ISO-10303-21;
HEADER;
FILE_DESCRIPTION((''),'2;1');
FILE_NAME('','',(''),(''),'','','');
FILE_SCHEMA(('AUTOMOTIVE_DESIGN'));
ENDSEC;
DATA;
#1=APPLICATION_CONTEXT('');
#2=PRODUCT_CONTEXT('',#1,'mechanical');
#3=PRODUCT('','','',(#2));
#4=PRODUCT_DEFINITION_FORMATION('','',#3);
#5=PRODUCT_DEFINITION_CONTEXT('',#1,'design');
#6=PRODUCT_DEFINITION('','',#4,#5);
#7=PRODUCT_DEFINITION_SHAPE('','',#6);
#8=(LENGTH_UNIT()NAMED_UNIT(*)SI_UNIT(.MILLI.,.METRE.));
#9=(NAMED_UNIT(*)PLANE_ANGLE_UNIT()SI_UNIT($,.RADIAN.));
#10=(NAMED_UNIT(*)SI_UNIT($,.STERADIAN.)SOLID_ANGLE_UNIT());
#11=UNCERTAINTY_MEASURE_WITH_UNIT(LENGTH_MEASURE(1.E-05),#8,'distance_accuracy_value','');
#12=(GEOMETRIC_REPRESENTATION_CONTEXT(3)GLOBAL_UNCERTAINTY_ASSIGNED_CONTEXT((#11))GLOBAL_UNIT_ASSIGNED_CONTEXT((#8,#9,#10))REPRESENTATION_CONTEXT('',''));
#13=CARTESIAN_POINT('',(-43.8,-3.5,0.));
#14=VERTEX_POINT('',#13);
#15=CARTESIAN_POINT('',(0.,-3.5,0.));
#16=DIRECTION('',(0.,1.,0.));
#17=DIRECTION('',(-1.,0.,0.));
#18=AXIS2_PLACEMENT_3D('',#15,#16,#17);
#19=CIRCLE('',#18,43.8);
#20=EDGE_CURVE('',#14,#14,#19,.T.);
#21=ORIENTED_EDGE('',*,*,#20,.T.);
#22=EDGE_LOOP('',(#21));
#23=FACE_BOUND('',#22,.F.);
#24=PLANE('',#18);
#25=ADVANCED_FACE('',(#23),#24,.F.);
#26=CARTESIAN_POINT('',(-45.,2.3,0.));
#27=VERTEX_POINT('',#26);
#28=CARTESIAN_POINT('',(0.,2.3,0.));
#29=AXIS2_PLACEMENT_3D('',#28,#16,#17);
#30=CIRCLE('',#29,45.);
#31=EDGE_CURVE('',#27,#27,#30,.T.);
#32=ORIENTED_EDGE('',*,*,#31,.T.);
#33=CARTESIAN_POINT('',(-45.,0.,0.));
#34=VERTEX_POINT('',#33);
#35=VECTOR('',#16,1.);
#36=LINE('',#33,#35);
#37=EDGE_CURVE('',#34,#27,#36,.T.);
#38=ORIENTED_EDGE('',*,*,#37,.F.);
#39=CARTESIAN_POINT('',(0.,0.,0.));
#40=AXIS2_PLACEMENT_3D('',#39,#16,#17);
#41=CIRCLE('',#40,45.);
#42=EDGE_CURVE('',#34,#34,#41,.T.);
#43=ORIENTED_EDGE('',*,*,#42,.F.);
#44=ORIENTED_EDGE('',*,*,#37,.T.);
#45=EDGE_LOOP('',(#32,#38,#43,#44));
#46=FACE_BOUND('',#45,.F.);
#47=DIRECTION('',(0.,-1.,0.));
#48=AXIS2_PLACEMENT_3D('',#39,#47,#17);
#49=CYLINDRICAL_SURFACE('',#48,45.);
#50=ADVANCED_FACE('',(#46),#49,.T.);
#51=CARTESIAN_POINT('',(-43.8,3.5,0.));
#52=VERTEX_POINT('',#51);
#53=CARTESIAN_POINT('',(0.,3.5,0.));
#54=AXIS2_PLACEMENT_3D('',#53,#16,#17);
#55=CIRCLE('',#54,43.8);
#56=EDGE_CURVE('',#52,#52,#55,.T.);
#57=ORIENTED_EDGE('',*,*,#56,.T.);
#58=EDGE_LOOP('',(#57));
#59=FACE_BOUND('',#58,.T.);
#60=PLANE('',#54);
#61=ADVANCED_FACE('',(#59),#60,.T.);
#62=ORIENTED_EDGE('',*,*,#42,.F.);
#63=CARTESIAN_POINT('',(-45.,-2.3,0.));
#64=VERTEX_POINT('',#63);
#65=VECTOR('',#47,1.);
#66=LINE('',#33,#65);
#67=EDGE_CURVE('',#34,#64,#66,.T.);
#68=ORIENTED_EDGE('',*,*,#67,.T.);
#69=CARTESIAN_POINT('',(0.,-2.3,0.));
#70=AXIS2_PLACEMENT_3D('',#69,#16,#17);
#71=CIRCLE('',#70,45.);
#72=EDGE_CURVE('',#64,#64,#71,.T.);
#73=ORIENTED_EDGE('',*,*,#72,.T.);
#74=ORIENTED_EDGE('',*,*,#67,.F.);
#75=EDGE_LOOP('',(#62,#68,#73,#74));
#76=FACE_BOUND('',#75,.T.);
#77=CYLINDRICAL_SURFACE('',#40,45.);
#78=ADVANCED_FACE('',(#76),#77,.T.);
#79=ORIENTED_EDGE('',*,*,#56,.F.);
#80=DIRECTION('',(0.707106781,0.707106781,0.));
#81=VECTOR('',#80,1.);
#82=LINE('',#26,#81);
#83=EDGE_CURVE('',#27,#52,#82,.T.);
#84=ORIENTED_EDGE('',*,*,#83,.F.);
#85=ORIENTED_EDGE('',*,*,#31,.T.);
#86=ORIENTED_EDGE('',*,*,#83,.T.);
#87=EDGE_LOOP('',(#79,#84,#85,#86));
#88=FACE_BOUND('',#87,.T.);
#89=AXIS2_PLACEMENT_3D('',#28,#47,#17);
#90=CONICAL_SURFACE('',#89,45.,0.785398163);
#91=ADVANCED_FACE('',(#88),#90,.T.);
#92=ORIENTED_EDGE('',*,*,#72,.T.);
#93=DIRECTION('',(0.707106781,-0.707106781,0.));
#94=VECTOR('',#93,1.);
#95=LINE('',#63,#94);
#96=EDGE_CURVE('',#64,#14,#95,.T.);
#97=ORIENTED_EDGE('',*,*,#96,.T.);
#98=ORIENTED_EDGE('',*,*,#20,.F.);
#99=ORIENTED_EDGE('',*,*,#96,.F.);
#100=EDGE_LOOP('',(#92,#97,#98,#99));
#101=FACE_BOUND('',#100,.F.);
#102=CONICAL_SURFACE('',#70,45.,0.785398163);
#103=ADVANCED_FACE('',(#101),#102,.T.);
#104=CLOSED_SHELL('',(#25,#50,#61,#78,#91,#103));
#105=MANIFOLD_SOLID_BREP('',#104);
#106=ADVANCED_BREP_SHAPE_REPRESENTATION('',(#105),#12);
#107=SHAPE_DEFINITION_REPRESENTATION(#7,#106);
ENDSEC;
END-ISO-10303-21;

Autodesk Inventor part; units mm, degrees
ref_plane "YZ Plane" through (0, 0, 0) normal (1, 0, 0) x (0, 1, 0)
ref_plane "XZ Plane" through (0, 0, 0) normal (0, 1, 0) x (-1, 0, 0)
ref_plane "XY Plane" through (0, 0, 0) normal (0, 0, 1) x (1, 0, 0)
sketch "スケッチ1" plane through (0, 0, 0) normal (0, 1, 0) x (-1, 0, 0)
  circle A0 centre (0, 0) radius 45
  dimension "d0" = 90
extrude "押し出し1" add sketch "スケッチ1" along normal mid plane 7
chamfer "面取り1" distance 1.2 angle 45 2 edges at (45, 3.5, 0) (45, -3.5, 0)
properties part number "Wheel"
